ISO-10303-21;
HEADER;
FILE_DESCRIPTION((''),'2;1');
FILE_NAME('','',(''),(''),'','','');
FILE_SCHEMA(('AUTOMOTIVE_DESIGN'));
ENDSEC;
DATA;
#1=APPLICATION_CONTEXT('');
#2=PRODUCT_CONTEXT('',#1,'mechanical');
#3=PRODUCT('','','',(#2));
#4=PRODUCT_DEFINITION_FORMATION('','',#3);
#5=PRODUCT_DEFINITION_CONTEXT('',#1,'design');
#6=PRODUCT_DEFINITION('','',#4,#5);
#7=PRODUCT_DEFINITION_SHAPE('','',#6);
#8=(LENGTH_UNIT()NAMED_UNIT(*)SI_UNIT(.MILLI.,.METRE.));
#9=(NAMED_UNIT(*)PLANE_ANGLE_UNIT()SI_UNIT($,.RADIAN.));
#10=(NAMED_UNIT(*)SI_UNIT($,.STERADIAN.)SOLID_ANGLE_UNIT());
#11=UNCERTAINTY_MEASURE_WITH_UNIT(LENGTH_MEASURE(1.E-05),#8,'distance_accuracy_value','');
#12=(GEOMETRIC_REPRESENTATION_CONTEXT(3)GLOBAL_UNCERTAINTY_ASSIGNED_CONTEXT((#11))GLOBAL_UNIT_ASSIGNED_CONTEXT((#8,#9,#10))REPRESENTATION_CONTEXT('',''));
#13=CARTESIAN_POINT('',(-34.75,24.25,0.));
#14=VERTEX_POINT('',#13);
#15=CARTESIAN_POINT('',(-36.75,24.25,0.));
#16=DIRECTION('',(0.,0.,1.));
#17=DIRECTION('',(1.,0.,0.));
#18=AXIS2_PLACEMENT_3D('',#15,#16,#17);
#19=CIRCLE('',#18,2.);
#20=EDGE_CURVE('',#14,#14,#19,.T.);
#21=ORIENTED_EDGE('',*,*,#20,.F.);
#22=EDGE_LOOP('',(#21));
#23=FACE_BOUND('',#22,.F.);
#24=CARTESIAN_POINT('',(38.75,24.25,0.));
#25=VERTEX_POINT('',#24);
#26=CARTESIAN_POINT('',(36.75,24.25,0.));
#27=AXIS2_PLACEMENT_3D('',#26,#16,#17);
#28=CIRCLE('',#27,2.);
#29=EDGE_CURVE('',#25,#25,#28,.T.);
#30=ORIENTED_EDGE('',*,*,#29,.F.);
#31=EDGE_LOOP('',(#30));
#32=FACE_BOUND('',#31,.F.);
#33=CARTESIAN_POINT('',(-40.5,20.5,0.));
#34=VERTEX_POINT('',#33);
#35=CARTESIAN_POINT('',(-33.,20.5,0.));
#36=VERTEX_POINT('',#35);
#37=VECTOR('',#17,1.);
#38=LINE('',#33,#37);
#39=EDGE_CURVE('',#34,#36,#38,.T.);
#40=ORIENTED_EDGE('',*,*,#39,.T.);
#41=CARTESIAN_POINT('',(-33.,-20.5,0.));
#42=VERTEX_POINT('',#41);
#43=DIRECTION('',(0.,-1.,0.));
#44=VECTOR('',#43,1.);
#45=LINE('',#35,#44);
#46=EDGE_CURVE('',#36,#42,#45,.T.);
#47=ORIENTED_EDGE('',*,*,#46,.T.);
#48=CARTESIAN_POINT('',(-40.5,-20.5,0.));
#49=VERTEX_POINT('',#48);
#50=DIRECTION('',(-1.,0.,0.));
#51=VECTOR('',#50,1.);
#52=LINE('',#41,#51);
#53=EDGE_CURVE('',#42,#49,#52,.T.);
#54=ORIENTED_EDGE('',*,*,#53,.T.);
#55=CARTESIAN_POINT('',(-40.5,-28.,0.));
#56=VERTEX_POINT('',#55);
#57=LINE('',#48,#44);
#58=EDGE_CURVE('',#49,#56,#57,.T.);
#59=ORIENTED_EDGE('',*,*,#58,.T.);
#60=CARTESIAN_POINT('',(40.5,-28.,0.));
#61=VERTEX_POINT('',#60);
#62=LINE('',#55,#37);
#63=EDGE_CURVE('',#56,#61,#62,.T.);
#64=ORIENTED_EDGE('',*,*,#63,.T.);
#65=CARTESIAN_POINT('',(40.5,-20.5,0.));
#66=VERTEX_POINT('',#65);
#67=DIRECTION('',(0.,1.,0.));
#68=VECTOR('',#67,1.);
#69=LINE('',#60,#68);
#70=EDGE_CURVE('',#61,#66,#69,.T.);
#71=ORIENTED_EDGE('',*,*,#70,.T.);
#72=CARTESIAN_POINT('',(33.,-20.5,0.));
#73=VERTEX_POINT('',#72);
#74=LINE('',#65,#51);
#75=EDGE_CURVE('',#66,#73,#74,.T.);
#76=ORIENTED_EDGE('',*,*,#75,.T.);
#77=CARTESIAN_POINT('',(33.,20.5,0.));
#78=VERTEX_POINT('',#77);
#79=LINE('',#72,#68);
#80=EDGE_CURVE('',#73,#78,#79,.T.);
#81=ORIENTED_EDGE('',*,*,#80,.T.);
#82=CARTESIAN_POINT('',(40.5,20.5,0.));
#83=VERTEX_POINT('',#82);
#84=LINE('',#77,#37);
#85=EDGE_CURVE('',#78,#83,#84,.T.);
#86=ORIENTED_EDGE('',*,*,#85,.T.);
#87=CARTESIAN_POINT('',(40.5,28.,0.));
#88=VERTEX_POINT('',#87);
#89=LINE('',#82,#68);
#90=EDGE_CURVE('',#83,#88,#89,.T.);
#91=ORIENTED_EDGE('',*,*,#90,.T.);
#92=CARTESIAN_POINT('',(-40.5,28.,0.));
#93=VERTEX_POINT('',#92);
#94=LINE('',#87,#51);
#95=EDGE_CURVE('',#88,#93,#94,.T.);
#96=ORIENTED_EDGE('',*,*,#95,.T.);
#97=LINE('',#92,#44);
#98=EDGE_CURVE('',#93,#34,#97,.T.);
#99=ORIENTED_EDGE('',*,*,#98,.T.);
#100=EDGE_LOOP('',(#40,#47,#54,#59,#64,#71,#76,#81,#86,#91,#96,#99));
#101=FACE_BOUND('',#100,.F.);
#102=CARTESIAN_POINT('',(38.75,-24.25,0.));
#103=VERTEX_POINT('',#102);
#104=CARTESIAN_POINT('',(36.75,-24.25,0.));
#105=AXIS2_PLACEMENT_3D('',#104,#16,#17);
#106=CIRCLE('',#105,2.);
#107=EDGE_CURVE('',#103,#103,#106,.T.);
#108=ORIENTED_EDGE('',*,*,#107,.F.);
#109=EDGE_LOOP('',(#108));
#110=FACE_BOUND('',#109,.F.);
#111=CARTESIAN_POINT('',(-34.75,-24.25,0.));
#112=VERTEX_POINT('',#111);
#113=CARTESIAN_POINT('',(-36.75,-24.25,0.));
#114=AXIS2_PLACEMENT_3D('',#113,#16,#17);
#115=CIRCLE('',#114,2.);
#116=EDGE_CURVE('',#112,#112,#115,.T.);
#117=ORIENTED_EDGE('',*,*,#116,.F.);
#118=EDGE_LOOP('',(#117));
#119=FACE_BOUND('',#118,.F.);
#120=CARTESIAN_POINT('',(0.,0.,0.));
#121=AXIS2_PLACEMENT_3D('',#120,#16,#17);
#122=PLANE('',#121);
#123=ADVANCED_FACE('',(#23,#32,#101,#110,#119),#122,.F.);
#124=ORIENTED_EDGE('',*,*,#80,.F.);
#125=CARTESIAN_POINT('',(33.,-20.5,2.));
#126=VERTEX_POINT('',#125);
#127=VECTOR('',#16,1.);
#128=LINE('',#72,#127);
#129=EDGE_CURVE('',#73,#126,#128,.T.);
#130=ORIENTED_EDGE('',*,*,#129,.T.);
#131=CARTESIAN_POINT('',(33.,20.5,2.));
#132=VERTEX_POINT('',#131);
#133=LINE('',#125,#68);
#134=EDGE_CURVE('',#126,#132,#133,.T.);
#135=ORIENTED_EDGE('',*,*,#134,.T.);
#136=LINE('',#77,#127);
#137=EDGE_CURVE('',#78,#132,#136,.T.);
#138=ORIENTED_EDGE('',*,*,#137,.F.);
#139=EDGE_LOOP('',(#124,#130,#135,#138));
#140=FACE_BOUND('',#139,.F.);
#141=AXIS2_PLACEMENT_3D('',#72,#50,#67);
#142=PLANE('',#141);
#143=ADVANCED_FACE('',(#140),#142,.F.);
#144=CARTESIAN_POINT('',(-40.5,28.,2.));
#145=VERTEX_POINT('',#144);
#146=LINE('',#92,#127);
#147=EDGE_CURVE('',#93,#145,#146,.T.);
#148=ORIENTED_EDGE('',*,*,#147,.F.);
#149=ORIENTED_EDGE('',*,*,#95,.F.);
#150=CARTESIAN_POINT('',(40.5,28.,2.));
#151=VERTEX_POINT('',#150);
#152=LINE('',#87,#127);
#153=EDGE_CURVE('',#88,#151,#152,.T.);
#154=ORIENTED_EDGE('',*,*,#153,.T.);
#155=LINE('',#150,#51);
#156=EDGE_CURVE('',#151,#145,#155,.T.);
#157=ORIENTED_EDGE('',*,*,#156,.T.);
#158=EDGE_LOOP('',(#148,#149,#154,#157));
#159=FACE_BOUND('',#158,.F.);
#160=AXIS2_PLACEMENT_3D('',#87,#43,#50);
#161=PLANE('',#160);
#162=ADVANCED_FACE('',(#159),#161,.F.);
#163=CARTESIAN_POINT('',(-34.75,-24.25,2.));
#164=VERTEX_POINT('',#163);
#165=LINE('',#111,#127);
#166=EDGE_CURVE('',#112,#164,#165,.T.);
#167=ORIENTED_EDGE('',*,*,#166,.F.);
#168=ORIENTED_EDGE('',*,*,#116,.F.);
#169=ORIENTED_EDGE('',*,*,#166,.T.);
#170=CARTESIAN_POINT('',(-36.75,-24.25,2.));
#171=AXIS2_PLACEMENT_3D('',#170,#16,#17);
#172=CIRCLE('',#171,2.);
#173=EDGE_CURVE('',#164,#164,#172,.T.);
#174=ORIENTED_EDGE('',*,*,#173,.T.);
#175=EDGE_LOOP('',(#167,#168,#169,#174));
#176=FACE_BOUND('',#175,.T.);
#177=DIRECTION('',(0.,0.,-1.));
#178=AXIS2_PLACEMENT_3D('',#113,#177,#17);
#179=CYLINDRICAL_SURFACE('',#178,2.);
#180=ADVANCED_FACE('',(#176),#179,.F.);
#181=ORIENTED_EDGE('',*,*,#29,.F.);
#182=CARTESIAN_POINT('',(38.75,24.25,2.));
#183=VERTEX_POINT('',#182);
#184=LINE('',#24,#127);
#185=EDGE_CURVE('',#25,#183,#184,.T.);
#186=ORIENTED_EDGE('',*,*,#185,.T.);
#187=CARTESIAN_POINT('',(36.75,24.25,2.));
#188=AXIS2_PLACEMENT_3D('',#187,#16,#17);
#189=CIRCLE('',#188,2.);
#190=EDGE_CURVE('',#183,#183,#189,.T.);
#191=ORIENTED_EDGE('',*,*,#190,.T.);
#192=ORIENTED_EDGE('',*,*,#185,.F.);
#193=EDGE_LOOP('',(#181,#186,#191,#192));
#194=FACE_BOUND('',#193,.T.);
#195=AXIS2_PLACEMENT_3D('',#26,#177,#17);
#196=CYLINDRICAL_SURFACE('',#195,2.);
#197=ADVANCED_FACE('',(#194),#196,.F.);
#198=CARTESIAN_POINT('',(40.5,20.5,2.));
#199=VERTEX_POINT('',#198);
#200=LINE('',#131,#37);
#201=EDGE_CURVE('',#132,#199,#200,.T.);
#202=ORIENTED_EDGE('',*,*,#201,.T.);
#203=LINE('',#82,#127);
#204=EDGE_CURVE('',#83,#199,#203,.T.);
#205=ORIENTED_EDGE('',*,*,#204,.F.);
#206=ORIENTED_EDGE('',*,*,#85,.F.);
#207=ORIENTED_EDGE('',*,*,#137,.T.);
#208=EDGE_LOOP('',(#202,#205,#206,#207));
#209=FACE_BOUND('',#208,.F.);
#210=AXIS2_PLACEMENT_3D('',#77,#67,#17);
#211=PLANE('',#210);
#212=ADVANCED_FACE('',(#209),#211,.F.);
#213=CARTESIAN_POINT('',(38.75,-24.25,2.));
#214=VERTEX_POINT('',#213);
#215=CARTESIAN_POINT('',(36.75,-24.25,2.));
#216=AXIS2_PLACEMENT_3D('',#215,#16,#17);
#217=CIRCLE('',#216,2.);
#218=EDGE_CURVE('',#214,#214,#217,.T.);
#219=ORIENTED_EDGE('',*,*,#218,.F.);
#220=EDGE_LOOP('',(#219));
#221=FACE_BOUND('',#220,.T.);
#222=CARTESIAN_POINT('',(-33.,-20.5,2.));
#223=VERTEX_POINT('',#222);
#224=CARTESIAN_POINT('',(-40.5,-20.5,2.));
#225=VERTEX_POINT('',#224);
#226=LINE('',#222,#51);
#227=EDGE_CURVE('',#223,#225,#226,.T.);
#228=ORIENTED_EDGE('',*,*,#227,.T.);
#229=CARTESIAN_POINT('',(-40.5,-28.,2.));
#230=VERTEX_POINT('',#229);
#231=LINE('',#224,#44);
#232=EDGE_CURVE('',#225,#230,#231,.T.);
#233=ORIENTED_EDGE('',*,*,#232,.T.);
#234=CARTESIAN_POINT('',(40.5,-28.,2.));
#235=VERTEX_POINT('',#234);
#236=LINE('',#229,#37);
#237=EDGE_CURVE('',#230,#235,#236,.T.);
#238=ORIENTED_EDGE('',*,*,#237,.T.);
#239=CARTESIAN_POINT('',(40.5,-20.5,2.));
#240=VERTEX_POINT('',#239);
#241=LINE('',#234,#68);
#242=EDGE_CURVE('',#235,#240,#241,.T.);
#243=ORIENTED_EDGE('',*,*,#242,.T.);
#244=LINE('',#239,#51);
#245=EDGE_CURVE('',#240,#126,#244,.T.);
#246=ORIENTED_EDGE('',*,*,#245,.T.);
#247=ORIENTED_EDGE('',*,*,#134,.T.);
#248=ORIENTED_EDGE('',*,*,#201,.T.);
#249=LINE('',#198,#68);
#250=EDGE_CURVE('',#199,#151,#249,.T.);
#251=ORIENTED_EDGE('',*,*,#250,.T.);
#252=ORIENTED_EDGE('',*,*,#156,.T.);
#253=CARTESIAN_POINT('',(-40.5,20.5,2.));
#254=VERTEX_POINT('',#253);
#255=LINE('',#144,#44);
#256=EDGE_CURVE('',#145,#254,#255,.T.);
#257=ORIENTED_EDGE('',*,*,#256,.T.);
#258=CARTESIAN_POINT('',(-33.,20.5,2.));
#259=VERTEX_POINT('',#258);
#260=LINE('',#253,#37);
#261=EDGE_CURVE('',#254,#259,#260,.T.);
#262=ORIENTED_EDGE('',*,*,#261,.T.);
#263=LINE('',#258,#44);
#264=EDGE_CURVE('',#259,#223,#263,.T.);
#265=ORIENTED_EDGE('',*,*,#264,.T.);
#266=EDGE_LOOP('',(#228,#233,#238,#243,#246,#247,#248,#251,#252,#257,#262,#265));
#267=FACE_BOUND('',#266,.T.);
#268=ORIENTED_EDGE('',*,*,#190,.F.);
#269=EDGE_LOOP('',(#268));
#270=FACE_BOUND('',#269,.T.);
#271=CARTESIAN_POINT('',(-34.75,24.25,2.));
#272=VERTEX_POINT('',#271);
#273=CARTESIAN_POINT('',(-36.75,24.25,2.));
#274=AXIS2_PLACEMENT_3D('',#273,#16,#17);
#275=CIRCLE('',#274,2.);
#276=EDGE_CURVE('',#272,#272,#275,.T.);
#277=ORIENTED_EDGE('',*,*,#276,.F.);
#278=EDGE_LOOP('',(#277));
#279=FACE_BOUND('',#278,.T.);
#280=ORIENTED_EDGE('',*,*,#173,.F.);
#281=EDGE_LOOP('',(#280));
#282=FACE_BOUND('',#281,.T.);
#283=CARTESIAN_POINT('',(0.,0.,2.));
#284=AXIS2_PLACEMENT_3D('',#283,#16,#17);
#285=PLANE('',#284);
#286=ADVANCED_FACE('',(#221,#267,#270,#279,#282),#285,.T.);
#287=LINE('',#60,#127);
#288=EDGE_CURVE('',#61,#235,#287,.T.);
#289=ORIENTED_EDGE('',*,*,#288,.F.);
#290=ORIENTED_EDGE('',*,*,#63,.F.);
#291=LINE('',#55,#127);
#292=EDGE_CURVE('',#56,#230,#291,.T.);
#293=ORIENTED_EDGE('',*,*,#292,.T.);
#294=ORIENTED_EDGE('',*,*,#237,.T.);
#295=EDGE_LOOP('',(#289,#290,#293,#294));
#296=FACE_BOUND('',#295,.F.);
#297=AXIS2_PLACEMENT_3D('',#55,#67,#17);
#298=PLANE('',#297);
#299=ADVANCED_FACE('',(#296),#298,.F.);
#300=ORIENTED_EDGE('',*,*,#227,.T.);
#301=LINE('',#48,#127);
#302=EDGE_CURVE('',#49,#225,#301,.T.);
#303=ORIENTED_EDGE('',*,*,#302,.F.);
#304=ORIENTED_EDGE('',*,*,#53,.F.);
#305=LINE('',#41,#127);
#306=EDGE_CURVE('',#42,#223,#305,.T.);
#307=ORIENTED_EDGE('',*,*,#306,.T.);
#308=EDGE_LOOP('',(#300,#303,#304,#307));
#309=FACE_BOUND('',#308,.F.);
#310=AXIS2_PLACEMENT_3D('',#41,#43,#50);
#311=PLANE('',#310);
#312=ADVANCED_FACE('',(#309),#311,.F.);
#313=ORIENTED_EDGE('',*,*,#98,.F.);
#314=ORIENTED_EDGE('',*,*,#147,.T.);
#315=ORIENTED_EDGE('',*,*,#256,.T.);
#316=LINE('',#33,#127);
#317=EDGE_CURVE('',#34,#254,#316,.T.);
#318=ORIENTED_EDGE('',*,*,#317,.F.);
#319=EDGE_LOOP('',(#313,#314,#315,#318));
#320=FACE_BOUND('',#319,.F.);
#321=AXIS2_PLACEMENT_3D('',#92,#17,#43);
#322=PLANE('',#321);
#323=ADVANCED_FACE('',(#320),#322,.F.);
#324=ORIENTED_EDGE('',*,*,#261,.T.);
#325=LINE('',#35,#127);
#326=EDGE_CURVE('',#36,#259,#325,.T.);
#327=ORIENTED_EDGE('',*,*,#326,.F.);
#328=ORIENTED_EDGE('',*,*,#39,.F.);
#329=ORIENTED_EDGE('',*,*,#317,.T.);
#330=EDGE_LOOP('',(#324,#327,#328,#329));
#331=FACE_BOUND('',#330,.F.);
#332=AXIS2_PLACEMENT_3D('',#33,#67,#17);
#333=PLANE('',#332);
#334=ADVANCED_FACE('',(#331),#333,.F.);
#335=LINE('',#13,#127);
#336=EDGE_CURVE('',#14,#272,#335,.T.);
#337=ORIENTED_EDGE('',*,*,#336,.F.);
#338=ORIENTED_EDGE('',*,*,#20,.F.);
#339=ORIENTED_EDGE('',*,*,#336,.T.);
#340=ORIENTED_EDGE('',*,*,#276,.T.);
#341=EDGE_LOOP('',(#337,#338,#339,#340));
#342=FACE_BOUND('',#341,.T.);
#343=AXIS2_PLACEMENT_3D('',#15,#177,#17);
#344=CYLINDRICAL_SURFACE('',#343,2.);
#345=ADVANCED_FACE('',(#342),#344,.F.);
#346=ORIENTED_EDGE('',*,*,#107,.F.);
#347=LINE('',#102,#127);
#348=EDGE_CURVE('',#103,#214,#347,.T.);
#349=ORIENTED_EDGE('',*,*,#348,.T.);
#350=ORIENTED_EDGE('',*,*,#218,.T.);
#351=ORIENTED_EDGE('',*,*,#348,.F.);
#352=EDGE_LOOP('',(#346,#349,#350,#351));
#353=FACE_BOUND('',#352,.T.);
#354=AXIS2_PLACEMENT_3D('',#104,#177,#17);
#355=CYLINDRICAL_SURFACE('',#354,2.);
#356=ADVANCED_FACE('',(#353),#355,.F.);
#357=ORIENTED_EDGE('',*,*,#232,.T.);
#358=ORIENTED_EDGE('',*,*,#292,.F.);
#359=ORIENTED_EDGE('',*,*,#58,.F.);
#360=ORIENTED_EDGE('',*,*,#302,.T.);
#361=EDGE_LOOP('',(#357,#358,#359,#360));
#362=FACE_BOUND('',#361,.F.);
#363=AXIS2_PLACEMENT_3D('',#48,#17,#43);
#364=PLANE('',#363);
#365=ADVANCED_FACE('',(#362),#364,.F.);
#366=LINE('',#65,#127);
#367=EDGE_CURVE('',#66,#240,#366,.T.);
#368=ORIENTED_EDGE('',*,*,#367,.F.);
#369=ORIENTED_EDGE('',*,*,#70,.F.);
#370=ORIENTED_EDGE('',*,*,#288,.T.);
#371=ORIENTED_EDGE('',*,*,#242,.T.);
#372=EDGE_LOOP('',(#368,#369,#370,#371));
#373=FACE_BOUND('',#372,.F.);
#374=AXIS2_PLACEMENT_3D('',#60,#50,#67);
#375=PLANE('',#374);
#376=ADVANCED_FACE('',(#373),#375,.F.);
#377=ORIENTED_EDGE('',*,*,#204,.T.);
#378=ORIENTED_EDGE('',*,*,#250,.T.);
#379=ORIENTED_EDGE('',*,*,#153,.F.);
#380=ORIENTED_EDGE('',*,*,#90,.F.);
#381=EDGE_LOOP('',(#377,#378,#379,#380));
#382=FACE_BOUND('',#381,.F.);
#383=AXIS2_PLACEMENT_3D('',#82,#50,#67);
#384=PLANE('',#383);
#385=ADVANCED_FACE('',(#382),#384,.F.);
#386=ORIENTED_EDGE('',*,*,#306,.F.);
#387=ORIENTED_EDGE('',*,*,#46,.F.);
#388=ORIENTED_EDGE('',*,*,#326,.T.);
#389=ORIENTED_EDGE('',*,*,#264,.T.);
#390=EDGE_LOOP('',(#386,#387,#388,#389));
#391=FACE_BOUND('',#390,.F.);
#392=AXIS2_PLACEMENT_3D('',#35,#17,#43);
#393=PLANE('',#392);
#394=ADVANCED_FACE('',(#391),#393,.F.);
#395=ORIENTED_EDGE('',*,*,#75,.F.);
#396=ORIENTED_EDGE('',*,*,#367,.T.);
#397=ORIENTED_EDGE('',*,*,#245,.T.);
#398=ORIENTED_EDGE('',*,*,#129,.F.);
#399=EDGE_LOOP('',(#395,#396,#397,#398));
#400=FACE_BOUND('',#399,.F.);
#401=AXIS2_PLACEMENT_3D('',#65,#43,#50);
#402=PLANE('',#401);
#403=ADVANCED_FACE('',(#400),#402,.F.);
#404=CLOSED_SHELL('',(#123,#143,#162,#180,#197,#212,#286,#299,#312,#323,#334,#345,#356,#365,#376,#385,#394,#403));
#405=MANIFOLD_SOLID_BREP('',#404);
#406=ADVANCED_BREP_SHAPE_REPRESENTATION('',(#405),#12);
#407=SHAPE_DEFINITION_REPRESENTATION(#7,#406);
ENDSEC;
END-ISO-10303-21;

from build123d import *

# Parameters (mm, degrees)
F0_R     = 2
F1_DEPTH = 2


with BuildPart() as f1:
    # F0 (on Top) → F1 (new body)
    with BuildSketch(Plane.XY):
        Polygon((-33, 20.5), (-33, 0), (-33, -20.5), (-40.5, -20.5), (-40.5, -28), (40.5, -28), (40.5, -20.5), (33, -20.5), (33, 0), (33, 20.5), (40.5, 20.5), (40.5, 28), (-40.5, 28), (-40.5, 20.5), align=None)
        with Locations((-36.75, -24.25)):
            Circle(F0_R, mode=Mode.SUBTRACT)
        with Locations((36.75, -24.25)):
            Circle(F0_R, mode=Mode.SUBTRACT)
        with Locations((-36.75, 24.25)):
            Circle(F0_R, mode=Mode.SUBTRACT)
        with Locations((36.75, 24.25)):
            Circle(F0_R, mode=Mode.SUBTRACT)
    extrude(amount=F1_DEPTH)


solid = f1.part
